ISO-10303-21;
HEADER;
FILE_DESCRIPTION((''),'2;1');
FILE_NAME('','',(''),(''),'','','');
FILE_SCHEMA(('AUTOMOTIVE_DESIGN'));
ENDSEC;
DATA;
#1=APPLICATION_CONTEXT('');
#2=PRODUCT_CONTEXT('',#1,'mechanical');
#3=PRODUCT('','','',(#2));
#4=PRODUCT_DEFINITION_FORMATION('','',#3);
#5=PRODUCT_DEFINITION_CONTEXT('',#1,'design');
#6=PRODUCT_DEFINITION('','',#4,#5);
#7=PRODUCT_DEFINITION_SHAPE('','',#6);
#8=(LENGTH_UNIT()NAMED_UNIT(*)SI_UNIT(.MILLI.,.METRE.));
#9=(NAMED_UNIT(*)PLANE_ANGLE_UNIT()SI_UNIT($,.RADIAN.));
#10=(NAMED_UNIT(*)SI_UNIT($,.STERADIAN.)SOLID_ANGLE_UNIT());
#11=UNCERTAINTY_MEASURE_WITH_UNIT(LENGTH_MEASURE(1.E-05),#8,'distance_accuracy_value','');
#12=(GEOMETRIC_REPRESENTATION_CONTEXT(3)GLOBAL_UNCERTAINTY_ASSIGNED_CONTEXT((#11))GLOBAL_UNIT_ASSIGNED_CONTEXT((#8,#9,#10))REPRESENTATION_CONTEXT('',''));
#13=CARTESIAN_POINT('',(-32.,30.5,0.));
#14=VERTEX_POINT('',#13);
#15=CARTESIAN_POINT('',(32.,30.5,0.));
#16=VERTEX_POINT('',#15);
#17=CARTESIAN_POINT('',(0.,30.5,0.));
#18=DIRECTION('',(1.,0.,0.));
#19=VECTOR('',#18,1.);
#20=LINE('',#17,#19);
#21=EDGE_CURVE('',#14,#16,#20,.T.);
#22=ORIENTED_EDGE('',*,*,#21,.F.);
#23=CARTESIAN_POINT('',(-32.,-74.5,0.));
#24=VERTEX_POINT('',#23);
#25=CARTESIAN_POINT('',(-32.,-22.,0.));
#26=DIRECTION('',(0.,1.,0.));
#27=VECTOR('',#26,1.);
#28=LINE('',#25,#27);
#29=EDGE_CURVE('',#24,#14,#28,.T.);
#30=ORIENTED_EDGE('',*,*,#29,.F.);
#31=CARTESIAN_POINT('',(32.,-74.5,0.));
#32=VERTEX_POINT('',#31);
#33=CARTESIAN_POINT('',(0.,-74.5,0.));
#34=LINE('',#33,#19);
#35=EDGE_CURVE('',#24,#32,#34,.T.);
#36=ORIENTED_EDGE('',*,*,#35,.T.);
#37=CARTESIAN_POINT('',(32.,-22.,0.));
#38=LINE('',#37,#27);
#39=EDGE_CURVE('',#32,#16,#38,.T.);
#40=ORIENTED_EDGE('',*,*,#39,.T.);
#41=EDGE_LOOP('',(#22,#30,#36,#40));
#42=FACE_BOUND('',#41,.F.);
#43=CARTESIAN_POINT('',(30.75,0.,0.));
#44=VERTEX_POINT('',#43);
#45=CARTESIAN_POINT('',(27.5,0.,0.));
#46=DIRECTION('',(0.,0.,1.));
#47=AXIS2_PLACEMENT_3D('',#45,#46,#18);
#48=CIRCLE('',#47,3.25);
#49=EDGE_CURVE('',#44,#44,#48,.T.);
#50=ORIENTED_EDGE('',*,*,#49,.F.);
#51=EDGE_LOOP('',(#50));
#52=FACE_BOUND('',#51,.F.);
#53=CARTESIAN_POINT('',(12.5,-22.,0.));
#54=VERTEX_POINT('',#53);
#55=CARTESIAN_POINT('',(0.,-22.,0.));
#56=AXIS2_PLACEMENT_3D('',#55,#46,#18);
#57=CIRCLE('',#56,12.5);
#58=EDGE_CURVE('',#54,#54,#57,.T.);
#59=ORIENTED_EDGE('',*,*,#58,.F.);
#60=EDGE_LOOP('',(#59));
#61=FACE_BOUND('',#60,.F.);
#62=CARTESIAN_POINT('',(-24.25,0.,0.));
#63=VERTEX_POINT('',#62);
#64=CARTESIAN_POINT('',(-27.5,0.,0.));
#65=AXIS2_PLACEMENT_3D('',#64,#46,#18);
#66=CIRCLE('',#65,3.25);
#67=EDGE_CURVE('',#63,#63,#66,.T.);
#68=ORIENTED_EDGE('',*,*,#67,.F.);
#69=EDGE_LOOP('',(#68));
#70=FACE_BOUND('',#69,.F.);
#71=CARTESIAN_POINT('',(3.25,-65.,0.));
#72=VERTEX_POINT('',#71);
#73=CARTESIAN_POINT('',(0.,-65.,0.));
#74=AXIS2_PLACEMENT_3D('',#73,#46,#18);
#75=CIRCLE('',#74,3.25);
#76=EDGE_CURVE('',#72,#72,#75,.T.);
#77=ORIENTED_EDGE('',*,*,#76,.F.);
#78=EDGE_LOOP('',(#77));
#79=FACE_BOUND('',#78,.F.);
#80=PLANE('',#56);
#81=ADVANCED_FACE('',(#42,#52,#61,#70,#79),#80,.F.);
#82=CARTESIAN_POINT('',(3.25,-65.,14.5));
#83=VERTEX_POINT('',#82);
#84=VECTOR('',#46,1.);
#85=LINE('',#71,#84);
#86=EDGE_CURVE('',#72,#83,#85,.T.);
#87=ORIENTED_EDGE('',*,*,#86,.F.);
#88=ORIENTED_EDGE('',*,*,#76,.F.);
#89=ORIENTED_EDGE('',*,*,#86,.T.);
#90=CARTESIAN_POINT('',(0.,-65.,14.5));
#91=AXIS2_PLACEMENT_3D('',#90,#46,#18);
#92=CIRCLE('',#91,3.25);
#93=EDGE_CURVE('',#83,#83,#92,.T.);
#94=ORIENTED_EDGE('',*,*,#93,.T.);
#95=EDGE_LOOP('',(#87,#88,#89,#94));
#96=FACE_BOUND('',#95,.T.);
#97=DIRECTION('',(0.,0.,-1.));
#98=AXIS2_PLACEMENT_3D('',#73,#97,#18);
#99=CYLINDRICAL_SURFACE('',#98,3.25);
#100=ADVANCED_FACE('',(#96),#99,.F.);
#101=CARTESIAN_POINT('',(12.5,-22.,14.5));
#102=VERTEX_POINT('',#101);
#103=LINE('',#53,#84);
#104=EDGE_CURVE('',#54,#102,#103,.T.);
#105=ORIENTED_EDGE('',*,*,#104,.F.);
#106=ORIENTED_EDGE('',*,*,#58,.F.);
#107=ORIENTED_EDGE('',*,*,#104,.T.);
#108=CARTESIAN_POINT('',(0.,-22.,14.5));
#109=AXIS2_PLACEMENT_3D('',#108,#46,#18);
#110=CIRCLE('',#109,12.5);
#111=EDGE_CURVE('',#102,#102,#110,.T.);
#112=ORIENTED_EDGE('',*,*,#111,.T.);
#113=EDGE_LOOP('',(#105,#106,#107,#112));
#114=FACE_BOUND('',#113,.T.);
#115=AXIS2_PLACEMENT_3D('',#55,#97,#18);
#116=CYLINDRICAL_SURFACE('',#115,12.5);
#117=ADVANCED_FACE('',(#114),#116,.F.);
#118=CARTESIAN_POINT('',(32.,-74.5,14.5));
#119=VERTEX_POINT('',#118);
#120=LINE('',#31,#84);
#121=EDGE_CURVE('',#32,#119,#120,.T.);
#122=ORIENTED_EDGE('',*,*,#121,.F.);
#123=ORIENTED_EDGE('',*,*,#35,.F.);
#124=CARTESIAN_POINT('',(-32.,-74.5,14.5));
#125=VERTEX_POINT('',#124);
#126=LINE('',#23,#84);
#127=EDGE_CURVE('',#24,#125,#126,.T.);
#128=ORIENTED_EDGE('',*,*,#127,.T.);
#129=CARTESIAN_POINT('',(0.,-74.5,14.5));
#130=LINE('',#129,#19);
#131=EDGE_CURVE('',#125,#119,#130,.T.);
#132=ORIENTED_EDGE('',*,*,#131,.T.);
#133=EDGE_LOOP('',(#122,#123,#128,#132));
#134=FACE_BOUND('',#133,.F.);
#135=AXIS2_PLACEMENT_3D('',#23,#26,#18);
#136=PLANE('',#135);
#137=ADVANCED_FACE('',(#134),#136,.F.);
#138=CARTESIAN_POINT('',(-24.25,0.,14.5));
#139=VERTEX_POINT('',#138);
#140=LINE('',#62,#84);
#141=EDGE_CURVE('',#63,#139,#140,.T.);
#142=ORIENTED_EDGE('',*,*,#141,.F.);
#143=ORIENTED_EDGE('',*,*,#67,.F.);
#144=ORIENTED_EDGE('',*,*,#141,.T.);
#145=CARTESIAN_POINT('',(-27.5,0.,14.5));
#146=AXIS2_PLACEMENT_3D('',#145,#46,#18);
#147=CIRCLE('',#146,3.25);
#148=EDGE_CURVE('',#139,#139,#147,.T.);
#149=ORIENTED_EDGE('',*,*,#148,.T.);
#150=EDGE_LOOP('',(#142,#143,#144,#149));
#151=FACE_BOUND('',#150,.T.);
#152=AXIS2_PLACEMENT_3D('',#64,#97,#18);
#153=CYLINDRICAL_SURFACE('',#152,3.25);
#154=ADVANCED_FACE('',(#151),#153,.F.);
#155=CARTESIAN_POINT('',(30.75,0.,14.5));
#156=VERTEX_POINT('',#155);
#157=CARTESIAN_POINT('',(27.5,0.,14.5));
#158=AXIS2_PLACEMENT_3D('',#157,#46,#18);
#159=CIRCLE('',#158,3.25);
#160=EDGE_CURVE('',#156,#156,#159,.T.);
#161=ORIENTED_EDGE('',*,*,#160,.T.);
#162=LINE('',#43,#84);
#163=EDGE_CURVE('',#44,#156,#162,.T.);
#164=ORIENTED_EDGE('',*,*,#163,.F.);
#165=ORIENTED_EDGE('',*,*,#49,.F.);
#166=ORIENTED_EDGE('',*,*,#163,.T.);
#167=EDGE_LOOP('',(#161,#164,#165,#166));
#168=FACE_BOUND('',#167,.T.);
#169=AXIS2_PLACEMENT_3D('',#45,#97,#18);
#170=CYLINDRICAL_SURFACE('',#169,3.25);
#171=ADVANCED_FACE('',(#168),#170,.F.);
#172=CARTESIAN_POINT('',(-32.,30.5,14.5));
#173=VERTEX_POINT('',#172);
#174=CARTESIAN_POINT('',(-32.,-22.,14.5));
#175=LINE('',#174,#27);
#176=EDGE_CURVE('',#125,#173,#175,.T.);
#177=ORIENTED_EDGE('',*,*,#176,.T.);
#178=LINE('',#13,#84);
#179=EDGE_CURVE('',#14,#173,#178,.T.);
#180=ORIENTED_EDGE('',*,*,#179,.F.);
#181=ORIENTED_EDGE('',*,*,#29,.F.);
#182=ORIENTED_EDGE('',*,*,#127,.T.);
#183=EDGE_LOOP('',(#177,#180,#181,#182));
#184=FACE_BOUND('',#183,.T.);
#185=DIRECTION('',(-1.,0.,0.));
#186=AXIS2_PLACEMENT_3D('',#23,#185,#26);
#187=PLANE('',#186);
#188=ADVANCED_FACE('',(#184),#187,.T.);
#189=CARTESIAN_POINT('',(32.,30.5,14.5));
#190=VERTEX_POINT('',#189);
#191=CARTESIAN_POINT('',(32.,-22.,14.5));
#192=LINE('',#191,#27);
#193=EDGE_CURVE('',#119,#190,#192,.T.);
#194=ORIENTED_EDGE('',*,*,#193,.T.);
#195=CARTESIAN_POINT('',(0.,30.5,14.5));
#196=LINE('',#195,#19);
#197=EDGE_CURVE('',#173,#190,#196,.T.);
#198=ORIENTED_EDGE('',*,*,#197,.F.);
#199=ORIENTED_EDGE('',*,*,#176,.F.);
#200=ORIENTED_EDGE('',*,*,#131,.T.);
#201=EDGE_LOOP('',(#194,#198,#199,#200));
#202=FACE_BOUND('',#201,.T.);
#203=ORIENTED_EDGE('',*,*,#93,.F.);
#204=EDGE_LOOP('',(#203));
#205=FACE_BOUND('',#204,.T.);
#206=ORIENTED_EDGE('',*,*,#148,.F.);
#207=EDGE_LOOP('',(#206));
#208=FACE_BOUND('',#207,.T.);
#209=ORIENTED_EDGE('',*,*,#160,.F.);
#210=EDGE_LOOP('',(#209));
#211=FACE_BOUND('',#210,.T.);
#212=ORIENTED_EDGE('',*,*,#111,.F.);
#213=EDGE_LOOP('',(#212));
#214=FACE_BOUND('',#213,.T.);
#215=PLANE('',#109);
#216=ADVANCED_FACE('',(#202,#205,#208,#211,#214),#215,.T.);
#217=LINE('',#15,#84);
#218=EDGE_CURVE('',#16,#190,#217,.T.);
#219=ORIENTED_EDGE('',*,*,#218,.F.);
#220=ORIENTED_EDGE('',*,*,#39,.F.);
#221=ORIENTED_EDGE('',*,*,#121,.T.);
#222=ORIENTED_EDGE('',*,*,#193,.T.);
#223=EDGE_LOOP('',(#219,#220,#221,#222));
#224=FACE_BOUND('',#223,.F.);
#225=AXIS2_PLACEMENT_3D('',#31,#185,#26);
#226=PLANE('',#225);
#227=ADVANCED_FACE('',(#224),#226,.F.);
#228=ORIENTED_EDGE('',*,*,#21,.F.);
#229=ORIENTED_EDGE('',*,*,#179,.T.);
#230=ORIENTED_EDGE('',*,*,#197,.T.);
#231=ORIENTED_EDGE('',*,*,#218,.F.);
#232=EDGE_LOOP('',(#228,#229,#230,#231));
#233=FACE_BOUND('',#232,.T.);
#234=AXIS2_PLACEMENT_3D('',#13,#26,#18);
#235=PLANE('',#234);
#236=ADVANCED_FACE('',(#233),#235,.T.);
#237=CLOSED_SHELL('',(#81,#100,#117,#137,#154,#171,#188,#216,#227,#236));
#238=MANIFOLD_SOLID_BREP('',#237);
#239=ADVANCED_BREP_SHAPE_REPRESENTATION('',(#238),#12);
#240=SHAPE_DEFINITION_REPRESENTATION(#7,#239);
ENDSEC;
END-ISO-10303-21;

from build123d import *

# Parameters (mm, degrees)
F0_W     = 64
F0_H     = 105
F0_R     = 3.25
F0_R_2   = 12.5
F1_DEPTH = 14.5


with BuildPart() as f1:
    # F0 (on Top) → F1 (new body)
    with BuildSketch(Plane.XY):
        with Locations((0, -22)):
            Rectangle(F0_W, F0_H)
        with Locations((0, -65)):
            Circle(F0_R, mode=Mode.SUBTRACT)
        with Locations((-27.5, 0)):
            Circle(F0_R, mode=Mode.SUBTRACT)
        with Locations((0, -22)):
            Circle(F0_R_2, mode=Mode.SUBTRACT)
        with Locations((27.5, 0)):
            Circle(F0_R, mode=Mode.SUBTRACT)
    extrude(amount=F1_DEPTH)


solid = f1.part
